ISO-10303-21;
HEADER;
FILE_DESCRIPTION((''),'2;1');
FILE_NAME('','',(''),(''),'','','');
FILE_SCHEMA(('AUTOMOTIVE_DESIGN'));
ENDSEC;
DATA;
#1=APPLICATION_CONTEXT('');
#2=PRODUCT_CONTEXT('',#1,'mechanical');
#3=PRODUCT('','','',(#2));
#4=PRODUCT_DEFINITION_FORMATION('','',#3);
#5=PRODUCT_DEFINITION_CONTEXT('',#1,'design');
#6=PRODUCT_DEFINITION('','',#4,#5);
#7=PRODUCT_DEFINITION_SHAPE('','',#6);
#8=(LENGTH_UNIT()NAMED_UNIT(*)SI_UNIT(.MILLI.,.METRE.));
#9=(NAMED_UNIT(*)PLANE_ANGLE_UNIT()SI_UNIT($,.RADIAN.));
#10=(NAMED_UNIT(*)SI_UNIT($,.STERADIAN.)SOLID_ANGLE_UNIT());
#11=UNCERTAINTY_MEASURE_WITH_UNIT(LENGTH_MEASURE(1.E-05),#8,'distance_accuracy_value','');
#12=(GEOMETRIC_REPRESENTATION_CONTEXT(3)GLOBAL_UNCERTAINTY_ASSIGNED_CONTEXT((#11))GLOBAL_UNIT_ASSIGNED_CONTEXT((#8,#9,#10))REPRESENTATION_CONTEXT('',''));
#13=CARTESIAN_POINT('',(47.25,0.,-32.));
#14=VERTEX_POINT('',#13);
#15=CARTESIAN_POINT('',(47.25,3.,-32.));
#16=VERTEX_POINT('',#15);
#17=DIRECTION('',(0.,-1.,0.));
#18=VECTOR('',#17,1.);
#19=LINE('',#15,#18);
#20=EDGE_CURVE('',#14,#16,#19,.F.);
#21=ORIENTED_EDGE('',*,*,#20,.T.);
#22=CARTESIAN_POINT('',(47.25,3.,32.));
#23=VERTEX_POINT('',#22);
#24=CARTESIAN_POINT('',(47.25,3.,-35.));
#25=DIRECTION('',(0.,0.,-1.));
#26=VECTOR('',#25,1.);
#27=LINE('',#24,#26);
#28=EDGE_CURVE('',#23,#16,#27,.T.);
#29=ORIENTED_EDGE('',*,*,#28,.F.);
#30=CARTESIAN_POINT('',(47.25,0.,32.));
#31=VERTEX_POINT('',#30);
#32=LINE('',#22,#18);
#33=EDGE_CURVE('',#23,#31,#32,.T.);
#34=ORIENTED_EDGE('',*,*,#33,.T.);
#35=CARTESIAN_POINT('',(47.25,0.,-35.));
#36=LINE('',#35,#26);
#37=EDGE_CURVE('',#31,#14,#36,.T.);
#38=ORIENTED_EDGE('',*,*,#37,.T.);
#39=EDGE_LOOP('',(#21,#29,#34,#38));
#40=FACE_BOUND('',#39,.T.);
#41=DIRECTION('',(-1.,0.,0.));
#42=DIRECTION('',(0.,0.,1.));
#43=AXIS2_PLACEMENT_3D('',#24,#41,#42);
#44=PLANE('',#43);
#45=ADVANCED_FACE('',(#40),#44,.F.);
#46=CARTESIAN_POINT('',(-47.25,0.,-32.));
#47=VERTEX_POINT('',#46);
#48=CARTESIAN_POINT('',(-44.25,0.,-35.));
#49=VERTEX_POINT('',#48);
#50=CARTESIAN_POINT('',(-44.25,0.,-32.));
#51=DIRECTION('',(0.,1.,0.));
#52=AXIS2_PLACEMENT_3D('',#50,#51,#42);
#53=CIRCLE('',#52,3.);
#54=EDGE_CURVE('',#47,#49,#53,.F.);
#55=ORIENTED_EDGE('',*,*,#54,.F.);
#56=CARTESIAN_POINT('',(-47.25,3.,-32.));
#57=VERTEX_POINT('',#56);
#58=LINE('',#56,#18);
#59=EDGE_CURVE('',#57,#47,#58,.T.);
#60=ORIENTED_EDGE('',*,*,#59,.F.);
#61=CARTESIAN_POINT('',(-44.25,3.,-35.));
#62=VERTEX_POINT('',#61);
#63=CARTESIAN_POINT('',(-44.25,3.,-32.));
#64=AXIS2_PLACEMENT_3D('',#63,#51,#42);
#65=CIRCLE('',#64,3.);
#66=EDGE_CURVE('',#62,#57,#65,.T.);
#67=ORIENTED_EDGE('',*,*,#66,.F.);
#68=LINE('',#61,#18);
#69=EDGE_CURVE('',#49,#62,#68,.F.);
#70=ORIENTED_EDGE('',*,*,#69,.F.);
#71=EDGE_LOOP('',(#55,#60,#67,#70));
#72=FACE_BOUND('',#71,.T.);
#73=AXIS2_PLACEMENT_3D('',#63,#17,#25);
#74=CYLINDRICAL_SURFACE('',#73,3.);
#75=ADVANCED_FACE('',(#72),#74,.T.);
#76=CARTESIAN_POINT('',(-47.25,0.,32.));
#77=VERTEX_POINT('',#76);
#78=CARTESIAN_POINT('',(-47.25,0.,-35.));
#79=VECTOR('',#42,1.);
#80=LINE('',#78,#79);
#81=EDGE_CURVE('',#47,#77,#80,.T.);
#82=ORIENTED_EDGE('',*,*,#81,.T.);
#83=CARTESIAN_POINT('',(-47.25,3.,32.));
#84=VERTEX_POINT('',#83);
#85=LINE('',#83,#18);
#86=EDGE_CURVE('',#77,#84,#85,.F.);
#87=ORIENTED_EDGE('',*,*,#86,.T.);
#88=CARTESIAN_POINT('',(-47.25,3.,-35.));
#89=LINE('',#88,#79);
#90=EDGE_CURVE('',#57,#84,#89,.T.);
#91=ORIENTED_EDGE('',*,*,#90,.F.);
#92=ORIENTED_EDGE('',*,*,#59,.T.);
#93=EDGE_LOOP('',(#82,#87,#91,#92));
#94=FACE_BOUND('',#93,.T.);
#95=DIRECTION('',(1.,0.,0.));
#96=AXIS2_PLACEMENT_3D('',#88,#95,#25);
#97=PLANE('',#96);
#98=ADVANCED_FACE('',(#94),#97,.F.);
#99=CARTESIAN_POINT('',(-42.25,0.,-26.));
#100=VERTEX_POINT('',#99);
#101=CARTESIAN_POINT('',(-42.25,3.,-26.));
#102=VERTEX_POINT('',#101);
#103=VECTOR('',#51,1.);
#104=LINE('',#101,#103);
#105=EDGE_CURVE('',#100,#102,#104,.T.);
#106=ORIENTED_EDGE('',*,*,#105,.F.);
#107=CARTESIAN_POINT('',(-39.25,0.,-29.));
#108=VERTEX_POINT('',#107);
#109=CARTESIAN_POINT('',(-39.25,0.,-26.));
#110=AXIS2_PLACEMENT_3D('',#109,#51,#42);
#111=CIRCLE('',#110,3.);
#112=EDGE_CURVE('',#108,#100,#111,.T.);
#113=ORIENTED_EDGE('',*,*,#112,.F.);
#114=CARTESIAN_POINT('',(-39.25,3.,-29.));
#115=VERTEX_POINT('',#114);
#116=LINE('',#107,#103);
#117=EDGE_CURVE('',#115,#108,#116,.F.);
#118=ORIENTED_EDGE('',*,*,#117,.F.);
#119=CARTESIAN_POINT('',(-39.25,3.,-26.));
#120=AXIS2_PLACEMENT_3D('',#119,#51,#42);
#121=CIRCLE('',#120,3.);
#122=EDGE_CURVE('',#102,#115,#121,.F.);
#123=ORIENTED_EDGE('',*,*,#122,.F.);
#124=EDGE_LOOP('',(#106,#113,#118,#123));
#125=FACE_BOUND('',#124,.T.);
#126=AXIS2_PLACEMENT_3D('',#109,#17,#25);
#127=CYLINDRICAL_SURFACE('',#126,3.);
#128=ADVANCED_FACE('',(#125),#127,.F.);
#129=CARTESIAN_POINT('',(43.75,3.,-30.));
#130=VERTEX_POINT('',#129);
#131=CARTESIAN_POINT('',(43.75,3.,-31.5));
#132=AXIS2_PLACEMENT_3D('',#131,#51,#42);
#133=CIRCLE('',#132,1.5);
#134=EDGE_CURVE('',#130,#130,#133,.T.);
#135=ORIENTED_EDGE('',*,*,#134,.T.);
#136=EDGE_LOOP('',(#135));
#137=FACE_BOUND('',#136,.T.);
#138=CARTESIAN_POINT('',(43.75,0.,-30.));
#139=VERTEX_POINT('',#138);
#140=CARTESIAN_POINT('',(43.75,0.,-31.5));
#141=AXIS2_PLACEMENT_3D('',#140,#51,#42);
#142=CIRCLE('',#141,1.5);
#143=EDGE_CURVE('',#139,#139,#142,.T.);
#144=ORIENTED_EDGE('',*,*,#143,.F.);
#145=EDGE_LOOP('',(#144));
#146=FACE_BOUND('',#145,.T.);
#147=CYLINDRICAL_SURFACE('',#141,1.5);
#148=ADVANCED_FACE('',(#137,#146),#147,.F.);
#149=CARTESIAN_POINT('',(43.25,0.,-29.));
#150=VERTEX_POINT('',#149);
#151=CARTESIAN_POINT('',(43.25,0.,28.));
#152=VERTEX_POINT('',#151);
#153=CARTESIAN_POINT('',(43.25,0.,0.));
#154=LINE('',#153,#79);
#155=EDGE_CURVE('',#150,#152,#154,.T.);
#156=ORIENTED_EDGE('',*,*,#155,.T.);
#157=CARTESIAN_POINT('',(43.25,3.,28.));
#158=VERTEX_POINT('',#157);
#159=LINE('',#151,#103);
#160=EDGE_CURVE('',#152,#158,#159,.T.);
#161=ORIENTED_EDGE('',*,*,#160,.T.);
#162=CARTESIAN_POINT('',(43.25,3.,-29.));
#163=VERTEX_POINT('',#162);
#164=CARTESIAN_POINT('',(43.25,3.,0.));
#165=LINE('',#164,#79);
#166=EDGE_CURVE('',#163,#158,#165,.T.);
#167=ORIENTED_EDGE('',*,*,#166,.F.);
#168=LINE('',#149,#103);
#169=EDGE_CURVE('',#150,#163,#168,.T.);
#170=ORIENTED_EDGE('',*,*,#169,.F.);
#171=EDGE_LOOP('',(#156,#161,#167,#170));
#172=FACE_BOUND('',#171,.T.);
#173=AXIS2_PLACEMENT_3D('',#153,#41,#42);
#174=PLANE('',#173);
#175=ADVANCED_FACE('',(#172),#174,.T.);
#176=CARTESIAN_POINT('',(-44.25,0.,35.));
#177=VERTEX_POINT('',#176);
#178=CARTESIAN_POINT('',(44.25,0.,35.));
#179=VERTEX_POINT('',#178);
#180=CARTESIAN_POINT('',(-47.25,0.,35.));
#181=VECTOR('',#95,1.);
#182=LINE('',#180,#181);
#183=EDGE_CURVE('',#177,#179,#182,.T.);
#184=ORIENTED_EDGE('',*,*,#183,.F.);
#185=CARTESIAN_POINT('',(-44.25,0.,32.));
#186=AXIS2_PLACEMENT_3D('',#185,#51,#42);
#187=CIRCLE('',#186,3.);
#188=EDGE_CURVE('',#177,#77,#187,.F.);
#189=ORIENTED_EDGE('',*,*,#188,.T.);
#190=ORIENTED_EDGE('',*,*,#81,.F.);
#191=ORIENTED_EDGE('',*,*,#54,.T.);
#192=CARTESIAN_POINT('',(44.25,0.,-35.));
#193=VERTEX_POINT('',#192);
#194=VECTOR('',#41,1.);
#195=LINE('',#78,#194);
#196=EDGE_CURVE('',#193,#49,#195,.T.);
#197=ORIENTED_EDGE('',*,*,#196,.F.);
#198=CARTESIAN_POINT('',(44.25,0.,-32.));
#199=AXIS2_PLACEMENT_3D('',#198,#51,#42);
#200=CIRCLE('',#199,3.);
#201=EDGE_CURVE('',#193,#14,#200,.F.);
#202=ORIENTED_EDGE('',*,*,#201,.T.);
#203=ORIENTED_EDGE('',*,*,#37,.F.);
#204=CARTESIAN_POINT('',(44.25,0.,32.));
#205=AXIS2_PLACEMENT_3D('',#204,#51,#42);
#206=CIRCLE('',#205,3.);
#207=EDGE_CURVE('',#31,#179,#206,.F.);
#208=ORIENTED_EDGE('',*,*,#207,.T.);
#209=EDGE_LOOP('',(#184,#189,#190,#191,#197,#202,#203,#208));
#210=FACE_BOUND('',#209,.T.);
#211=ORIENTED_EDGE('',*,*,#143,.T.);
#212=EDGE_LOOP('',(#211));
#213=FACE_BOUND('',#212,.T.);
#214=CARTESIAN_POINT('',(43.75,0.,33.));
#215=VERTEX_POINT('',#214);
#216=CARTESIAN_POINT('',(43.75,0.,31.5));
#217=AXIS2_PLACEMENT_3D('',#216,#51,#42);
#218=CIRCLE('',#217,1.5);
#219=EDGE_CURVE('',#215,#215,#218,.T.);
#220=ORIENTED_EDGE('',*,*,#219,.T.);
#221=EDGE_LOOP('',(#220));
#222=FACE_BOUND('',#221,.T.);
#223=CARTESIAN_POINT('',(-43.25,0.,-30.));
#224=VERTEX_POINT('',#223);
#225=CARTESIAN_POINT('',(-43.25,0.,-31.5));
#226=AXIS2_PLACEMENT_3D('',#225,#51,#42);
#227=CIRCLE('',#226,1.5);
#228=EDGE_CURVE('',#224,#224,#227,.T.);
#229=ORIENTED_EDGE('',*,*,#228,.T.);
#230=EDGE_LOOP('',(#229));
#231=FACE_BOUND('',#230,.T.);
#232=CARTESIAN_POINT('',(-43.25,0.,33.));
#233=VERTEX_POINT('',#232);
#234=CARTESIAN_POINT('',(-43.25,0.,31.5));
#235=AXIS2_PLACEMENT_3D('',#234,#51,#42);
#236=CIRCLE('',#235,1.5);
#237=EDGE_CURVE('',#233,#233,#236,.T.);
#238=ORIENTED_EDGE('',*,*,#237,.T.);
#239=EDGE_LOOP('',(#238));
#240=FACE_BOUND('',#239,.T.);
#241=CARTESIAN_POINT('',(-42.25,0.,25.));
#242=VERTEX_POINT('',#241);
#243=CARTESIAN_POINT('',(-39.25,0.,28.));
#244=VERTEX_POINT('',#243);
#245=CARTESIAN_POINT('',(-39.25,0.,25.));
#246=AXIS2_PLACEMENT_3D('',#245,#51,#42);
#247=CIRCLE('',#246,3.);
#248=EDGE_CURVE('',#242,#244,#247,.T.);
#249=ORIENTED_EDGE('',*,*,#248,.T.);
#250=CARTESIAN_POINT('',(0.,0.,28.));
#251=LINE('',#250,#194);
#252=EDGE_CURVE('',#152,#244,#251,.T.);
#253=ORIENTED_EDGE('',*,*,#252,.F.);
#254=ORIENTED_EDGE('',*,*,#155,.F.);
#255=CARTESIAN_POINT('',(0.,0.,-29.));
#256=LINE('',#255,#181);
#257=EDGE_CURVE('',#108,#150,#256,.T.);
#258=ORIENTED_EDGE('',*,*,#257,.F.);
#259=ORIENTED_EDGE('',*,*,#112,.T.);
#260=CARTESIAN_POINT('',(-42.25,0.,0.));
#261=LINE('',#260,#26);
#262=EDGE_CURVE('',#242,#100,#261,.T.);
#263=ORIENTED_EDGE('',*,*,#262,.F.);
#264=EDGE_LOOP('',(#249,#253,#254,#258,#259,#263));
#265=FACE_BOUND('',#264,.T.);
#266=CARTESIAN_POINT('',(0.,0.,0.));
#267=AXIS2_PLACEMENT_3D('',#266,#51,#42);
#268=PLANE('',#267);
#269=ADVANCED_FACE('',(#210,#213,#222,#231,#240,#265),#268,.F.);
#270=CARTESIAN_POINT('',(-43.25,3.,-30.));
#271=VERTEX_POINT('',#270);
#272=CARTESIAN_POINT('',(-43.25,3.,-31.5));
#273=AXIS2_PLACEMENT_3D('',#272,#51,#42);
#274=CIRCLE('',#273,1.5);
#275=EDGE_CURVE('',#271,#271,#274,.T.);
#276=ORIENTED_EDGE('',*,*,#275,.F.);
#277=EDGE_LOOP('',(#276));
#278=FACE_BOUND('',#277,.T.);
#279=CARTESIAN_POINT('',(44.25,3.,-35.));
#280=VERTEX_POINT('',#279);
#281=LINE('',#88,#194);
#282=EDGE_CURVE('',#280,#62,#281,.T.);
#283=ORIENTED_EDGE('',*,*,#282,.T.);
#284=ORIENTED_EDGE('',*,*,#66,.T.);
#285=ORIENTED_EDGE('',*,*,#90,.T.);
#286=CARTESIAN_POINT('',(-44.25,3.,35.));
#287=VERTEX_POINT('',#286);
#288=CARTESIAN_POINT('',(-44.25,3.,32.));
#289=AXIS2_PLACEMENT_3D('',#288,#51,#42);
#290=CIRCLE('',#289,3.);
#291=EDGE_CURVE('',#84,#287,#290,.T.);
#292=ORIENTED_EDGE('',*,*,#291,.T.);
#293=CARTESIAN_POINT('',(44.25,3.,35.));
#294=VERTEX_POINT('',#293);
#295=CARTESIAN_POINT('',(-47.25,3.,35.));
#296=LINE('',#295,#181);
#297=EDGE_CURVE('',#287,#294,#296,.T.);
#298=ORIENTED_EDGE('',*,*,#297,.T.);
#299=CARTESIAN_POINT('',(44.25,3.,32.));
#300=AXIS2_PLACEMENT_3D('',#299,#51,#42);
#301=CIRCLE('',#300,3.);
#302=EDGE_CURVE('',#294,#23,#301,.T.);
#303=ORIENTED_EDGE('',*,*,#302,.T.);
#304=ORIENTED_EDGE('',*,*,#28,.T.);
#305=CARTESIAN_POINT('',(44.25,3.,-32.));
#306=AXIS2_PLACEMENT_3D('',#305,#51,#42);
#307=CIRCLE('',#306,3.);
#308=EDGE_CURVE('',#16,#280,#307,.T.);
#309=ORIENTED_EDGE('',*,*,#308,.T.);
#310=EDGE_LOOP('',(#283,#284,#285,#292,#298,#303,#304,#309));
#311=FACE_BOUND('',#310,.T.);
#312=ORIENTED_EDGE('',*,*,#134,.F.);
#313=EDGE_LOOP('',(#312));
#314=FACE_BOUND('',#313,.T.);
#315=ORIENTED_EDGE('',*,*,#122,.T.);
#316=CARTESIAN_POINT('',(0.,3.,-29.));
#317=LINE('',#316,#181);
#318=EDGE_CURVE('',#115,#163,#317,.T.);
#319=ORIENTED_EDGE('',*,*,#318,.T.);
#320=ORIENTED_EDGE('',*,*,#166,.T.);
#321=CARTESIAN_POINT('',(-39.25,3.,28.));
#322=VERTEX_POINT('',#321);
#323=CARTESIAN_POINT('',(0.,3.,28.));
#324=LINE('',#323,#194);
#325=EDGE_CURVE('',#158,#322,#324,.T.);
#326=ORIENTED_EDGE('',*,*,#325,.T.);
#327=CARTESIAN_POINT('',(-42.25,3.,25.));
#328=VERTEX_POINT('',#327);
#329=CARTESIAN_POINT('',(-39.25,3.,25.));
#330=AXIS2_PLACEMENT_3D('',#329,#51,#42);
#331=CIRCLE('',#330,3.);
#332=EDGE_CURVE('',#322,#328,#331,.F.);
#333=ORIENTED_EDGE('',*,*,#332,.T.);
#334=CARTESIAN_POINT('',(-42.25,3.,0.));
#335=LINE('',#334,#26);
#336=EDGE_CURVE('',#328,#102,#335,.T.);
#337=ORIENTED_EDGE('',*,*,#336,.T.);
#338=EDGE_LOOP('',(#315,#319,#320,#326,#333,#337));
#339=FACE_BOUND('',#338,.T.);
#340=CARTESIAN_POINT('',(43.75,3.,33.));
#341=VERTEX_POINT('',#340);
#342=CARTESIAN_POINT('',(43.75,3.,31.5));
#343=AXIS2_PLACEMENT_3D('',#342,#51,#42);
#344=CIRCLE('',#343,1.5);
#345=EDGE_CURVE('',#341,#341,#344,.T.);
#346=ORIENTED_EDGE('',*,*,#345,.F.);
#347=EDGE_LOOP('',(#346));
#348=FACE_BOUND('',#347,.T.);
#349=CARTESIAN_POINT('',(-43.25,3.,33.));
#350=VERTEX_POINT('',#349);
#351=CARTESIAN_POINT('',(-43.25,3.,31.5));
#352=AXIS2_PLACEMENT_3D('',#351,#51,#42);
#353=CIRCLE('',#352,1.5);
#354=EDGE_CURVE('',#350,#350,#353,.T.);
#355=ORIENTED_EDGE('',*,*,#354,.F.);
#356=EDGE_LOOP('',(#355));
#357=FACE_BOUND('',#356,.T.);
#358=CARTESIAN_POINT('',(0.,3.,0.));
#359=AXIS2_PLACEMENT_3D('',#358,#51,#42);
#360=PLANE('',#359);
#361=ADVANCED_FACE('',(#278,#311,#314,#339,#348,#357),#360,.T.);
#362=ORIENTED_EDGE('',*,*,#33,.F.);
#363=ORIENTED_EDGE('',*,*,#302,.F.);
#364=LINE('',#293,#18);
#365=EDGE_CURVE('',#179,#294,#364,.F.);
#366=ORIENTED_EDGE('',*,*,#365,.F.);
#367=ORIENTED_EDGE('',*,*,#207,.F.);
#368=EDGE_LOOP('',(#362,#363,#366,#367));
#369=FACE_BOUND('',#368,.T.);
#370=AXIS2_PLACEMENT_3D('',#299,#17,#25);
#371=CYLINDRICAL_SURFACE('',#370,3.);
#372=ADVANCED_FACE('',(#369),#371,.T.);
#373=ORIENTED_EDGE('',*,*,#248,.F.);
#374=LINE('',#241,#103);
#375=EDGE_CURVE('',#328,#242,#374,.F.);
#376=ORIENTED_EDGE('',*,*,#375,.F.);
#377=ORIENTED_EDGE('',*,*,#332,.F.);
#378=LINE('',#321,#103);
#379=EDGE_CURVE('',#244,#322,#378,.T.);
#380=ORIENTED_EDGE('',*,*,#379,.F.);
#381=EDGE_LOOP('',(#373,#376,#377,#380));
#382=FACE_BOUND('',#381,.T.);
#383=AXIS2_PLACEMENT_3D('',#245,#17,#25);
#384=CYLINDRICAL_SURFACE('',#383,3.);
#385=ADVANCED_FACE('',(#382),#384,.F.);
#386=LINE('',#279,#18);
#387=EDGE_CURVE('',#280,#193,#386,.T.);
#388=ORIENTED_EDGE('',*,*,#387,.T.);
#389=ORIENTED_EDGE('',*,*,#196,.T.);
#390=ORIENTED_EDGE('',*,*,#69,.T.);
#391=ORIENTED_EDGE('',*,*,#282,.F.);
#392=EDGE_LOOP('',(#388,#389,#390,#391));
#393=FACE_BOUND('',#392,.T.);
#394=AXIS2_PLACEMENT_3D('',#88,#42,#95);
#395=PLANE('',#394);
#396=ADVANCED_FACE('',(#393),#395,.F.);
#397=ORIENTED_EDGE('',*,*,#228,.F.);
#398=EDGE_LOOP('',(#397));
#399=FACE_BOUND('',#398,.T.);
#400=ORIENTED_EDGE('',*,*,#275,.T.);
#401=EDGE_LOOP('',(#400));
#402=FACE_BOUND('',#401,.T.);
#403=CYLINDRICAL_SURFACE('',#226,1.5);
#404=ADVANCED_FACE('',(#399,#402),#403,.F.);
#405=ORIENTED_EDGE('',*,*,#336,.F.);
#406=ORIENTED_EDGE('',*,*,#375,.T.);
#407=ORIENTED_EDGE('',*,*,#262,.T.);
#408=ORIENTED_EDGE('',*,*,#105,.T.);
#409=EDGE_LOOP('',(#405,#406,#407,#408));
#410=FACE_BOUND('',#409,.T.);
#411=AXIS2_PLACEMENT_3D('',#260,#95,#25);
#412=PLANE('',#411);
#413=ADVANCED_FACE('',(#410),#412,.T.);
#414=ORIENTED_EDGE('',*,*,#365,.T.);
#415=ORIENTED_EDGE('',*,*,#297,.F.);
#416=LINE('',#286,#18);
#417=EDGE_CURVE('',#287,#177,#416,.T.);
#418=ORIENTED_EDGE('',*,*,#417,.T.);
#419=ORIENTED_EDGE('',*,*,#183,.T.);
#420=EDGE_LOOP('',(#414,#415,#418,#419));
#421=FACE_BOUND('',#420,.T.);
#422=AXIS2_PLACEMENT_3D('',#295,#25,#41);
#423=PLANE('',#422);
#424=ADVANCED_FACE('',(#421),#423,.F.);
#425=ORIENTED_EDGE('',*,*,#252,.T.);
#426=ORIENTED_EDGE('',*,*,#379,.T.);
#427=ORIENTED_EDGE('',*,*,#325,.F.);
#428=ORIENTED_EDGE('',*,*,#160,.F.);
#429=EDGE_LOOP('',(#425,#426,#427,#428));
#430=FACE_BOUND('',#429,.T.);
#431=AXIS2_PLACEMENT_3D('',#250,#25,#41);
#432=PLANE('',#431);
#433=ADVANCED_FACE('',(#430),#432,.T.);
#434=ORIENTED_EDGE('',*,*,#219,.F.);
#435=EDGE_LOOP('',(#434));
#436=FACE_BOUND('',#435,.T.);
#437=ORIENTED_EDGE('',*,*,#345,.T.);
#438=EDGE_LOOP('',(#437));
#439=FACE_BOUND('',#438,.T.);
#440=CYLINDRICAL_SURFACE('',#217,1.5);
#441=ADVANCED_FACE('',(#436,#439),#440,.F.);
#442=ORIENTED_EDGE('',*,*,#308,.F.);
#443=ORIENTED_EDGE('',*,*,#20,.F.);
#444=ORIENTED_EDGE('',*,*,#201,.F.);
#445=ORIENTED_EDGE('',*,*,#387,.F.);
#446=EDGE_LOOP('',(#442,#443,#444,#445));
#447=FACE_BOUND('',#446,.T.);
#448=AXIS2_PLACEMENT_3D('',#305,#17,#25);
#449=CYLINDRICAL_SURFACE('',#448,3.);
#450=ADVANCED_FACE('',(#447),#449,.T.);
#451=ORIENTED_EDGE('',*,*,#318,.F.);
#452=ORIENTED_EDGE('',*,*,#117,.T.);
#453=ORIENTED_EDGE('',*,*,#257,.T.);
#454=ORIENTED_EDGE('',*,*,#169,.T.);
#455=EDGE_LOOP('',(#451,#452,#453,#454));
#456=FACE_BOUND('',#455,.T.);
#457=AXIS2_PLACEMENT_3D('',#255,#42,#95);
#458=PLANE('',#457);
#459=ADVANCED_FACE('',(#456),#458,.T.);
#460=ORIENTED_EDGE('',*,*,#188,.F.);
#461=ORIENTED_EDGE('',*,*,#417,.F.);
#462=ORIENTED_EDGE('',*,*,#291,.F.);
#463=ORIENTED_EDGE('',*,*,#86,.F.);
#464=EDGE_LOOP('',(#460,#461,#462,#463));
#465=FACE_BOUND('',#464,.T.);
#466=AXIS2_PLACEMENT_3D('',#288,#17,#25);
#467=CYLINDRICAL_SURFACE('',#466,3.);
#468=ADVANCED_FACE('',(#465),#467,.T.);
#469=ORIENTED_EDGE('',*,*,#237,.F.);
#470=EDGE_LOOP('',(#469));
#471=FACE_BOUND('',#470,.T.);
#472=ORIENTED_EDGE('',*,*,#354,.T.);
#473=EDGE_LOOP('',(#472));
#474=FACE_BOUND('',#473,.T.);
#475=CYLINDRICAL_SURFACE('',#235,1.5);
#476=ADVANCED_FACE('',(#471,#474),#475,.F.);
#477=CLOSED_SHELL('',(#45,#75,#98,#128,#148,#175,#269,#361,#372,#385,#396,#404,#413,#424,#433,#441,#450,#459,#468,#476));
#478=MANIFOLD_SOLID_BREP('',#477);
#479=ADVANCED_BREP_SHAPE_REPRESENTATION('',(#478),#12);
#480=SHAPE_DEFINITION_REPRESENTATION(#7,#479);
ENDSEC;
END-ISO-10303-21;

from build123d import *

# Parameters (mm, degrees)
SKETCH1_W           = 94.5
SKETCH1_H           = 70
BOSS_EXTRUDE1_DEPTH = 3
SKETCH3_R           = 1.5
CUT_EXTRUDE2_DEPTH  = 59.877521177
FILLET2_R           = 3
CUT_EXTRUDE3_DEPTH  = 59.877521177
FILLET3_R           = 3


with BuildPart() as part:
    # Sketch1 → Boss-Extrude1 (new body)
    with BuildSketch(Plane(origin=(0, 0, 0), x_dir=(1, 0, 0), z_dir=(0, 1, 0))):
        Rectangle(SKETCH1_W, SKETCH1_H)
    extrude(amount=BOSS_EXTRUDE1_DEPTH)

    # Sketch3 → Cut-Extrude2 (cut, through all)
    with BuildSketch(Plane(origin=(0, 3, 0), x_dir=(1, 0, 0), z_dir=(0, 1, 0))):
        with Locations(Location((43.75, 31.5, 0), (0, 0, 270))):
            Circle(SKETCH3_R)
        with Locations(Location((-43.25, 31.5, 0), (0, 0, 270))):
            Circle(SKETCH3_R)
        with Locations(Location((-43.25, -31.5, 0), (0, 0, 270))):
            Circle(SKETCH3_R)
        with Locations(Location((43.75, -31.5, 0), (0, 0, 270))):
            Circle(SKETCH3_R)
    extrude(amount=-CUT_EXTRUDE2_DEPTH, mode=Mode.SUBTRACT)

    # Fillet2
    fillet2_edges = [part.edges().sort_by_distance(p)[0] for p in [
        (47.25, 1.5, 35),
        (-47.25, 1.5, 35),
        (-47.25, 1.5, -35),
        (47.25, 1.5, -35),
    ]]
    fillet(fillet2_edges, radius=FILLET2_R)

    # Sketch5 → Cut-Extrude3 (cut, through all)
    with BuildSketch(Plane(origin=(0, 3, 0), x_dir=(1, 0, 0), z_dir=(0, 1, 0))):
        Polygon((43.25, 29), (-42.25, 29), (-42.25, 10), (-42.25, -10), (-42.25, -28), (-35, -28), (43.25, -28), align=None)
    extrude(amount=-CUT_EXTRUDE3_DEPTH, mode=Mode.SUBTRACT)

    # Fillet3
    fillet3_edges = [part.edges().sort_by_distance(p)[0] for p in [
        (-42.25, 1.5, 28),
        (-42.25, 1.5, -29),
    ]]
    fillet(fillet3_edges, radius=FILLET3_R)


solid = part.part
